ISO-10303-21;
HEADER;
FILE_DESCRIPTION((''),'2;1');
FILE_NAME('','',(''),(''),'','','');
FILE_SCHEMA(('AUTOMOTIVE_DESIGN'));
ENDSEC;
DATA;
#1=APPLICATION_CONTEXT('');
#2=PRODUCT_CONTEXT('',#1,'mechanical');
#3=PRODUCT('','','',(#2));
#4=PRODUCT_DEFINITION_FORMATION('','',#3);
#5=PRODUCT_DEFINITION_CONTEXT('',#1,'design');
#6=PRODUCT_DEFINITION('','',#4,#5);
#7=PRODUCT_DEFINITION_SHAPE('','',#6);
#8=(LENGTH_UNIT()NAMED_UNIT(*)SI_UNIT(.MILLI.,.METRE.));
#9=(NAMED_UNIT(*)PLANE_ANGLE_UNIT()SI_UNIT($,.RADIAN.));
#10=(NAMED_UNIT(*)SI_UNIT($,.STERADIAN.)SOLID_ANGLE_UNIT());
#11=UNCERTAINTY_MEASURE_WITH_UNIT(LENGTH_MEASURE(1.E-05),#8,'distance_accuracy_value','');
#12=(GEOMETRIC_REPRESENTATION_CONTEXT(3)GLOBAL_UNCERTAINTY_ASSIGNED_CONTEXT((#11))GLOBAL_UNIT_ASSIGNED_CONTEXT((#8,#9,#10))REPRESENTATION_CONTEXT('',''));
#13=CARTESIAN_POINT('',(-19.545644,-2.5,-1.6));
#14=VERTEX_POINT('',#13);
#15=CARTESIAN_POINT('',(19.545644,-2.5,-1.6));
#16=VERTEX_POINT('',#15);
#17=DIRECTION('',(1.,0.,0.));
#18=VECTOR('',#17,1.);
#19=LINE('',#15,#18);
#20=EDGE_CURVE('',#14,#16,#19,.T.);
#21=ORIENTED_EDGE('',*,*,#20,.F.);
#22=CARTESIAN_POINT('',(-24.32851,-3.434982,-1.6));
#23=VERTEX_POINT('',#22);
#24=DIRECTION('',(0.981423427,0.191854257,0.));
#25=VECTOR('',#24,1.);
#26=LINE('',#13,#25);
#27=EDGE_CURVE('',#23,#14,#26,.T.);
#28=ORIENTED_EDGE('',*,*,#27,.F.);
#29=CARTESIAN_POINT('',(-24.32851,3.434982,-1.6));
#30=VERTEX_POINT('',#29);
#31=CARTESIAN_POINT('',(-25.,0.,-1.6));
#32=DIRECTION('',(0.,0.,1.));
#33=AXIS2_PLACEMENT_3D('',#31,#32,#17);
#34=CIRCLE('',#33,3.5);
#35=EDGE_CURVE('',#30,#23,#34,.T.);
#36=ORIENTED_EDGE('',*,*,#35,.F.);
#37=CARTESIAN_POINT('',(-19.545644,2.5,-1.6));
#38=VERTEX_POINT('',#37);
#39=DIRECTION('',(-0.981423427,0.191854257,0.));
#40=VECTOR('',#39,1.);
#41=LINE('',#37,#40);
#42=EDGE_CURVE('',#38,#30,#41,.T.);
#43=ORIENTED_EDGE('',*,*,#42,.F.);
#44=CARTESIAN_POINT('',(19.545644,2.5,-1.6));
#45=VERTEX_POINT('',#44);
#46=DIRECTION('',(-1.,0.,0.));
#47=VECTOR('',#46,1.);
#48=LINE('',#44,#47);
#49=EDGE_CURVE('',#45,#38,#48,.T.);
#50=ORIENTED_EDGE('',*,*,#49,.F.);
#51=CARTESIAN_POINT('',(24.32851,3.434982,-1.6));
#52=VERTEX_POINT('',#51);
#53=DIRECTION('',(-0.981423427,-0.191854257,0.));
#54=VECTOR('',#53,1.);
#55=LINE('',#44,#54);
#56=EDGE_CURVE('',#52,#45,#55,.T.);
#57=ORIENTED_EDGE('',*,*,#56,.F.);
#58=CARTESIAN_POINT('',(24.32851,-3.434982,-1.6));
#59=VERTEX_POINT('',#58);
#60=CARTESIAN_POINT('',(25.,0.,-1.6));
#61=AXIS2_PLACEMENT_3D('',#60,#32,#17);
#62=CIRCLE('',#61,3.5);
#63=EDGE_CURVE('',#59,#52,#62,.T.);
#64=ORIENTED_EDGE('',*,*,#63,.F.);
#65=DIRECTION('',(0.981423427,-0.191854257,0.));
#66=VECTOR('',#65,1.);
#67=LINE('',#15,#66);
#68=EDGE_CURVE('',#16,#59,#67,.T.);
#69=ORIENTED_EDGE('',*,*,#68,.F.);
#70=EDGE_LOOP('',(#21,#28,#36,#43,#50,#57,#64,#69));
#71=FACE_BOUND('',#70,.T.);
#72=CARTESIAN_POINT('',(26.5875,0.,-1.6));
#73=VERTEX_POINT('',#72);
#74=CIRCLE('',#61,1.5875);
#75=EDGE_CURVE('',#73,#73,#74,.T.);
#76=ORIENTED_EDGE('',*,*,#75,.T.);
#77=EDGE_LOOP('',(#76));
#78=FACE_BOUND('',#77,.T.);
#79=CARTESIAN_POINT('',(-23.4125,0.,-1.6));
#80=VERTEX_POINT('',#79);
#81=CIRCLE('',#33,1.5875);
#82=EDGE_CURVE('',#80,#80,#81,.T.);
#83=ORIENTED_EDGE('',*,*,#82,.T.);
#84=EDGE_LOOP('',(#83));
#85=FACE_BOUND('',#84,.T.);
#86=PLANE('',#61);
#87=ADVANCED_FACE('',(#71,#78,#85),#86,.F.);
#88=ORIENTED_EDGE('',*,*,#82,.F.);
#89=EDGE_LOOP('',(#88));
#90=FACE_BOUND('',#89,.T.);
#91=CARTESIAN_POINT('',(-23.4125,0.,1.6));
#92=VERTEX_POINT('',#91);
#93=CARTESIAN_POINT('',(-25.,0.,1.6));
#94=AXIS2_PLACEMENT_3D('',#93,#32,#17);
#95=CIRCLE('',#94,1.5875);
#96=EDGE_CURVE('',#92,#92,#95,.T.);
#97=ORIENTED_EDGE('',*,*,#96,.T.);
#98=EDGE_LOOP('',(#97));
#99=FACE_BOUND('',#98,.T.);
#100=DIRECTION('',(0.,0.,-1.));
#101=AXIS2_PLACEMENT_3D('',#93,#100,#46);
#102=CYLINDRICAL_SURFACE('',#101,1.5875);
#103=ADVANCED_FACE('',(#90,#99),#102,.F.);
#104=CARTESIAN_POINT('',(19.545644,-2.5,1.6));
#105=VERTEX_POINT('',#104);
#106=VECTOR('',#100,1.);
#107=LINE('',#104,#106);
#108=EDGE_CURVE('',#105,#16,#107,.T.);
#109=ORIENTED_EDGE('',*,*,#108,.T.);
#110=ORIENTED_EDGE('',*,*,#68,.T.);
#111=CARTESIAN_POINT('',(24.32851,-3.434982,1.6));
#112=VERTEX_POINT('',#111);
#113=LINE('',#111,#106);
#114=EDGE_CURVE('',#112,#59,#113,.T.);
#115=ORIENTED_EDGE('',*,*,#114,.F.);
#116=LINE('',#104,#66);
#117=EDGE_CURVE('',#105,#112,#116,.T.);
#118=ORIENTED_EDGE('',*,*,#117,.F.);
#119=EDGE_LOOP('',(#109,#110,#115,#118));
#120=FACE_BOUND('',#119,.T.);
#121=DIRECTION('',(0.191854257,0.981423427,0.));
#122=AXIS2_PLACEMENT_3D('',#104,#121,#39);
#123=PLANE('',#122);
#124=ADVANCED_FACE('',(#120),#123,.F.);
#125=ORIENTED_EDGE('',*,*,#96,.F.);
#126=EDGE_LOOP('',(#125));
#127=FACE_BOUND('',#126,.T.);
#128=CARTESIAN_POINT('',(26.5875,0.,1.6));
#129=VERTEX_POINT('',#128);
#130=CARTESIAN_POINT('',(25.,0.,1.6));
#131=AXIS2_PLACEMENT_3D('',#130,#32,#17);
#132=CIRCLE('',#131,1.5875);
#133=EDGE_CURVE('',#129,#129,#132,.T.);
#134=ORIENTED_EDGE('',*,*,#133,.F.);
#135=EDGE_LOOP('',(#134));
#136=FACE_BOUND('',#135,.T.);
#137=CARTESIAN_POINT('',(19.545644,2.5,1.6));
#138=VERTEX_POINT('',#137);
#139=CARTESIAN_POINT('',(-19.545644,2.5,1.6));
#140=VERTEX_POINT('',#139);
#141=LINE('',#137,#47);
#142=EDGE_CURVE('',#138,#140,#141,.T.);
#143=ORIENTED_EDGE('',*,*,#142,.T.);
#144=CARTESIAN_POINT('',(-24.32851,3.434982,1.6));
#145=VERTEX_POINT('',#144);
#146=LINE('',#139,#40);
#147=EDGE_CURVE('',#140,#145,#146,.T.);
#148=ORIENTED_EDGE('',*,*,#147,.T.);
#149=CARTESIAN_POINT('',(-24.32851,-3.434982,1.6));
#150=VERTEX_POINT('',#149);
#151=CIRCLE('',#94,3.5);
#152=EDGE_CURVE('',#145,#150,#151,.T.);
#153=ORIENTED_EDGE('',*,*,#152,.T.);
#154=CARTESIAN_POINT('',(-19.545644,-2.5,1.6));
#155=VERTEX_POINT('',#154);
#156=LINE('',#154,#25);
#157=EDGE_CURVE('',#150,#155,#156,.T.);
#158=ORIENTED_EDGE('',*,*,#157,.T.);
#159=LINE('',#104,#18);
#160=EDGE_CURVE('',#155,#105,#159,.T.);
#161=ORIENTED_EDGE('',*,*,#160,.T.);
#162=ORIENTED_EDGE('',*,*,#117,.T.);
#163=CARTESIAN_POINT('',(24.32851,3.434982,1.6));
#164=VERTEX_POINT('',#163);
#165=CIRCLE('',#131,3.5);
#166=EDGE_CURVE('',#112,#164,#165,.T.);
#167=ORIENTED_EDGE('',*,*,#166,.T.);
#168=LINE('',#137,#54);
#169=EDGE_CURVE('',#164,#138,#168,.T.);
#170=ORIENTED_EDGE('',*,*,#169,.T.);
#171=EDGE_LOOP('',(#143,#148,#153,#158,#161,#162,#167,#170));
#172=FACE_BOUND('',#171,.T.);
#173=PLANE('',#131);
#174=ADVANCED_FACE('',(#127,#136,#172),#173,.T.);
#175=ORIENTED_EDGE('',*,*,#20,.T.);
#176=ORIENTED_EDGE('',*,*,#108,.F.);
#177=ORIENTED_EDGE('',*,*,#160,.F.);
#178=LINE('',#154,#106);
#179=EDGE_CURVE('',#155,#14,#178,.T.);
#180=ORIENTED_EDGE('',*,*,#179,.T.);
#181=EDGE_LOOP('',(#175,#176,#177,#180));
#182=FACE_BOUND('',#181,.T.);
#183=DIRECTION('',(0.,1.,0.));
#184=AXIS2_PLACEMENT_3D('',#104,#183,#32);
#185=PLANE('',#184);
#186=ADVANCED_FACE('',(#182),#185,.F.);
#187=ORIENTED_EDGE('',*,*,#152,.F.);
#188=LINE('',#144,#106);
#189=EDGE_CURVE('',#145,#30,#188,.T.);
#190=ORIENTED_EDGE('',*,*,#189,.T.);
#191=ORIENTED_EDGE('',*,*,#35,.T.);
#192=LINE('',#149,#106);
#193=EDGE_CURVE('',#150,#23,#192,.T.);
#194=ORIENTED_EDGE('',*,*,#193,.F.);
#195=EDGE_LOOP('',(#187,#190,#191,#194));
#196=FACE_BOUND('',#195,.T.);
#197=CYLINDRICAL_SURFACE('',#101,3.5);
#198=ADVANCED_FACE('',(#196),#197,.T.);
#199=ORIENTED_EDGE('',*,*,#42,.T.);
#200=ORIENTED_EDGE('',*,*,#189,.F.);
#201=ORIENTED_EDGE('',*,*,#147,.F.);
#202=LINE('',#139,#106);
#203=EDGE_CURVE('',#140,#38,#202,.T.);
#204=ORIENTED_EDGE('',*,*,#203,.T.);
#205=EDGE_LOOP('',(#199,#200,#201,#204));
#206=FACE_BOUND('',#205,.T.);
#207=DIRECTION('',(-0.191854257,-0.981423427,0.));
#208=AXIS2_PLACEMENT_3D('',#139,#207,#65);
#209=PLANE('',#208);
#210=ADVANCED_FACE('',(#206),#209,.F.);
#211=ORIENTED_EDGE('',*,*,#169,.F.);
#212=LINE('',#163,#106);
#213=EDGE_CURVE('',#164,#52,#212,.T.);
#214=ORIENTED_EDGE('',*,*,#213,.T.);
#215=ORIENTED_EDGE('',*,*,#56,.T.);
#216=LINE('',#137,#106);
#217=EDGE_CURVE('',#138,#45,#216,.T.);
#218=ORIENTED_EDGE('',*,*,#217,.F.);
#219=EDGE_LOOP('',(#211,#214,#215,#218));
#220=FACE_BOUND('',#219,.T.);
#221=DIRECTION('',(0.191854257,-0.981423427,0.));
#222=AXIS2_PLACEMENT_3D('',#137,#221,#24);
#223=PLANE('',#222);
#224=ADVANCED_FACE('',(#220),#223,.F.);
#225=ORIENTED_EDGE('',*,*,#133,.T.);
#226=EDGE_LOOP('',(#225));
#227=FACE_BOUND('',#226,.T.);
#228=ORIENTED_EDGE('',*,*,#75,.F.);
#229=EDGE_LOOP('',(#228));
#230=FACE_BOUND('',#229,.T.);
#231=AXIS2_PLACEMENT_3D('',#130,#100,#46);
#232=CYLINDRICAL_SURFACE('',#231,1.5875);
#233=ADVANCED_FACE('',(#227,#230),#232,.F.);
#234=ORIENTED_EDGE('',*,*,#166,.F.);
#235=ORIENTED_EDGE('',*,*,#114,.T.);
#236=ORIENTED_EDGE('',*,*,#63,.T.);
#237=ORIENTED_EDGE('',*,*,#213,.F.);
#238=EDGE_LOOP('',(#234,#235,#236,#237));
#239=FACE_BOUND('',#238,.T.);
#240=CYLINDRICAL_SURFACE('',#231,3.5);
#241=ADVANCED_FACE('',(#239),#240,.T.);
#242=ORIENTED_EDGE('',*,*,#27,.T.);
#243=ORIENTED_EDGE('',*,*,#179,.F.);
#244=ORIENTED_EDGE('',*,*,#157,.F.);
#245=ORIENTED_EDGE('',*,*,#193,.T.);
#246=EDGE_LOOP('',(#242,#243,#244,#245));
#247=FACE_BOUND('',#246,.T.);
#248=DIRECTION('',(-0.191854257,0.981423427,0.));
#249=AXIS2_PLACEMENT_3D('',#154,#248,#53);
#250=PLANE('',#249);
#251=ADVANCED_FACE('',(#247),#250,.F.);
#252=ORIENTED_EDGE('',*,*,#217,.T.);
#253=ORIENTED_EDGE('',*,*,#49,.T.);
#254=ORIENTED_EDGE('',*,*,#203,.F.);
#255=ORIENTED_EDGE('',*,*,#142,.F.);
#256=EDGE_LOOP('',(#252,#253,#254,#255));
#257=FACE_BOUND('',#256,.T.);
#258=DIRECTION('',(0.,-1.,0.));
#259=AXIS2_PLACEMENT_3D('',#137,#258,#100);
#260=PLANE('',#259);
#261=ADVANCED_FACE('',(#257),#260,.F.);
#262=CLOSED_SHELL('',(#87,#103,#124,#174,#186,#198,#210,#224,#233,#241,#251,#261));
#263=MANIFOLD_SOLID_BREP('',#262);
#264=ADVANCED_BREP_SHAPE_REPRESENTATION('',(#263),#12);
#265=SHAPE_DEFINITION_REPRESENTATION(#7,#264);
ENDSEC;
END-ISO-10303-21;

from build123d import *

# Parameters (mm, degrees)
SKETCH1_R           = 1.5875
BOSS_EXTRUDE1_DEPTH = 1.6


with BuildPart() as part:
    # Sketch1 → Boss-Extrude1 (new, symmetric)
    with BuildSketch(Plane.XY):
        with BuildLine():
            Line((19.545643943, -2.5), (-19.545643943, -2.5))
            Line((-19.545643943, -2.5), (-24.328510099, -3.434981996))
            ThreePointArc((-24.328510099, -3.434981996), (-28.5, 0), (-24.328510099, 3.434981996))
            Line((-24.328510099, 3.434981996), (-19.545643943, 2.5))
            Line((-19.545643943, 2.5), (19.545643943, 2.5))
            Line((19.545643943, 2.5), (24.328510099, 3.434981996))
            ThreePointArc((24.328510099, 3.434981996), (28.5, 0), (24.328510099, -3.434981996))
            Line((24.328510099, -3.434981996), (19.545643943, -2.5))
        make_face()
        with Locations((-25, 0)):
            Circle(SKETCH1_R, mode=Mode.SUBTRACT)
        with Locations((25, 0)):
            Circle(SKETCH1_R, mode=Mode.SUBTRACT)
    extrude(amount=BOSS_EXTRUDE1_DEPTH, both=True)


solid = part.part
